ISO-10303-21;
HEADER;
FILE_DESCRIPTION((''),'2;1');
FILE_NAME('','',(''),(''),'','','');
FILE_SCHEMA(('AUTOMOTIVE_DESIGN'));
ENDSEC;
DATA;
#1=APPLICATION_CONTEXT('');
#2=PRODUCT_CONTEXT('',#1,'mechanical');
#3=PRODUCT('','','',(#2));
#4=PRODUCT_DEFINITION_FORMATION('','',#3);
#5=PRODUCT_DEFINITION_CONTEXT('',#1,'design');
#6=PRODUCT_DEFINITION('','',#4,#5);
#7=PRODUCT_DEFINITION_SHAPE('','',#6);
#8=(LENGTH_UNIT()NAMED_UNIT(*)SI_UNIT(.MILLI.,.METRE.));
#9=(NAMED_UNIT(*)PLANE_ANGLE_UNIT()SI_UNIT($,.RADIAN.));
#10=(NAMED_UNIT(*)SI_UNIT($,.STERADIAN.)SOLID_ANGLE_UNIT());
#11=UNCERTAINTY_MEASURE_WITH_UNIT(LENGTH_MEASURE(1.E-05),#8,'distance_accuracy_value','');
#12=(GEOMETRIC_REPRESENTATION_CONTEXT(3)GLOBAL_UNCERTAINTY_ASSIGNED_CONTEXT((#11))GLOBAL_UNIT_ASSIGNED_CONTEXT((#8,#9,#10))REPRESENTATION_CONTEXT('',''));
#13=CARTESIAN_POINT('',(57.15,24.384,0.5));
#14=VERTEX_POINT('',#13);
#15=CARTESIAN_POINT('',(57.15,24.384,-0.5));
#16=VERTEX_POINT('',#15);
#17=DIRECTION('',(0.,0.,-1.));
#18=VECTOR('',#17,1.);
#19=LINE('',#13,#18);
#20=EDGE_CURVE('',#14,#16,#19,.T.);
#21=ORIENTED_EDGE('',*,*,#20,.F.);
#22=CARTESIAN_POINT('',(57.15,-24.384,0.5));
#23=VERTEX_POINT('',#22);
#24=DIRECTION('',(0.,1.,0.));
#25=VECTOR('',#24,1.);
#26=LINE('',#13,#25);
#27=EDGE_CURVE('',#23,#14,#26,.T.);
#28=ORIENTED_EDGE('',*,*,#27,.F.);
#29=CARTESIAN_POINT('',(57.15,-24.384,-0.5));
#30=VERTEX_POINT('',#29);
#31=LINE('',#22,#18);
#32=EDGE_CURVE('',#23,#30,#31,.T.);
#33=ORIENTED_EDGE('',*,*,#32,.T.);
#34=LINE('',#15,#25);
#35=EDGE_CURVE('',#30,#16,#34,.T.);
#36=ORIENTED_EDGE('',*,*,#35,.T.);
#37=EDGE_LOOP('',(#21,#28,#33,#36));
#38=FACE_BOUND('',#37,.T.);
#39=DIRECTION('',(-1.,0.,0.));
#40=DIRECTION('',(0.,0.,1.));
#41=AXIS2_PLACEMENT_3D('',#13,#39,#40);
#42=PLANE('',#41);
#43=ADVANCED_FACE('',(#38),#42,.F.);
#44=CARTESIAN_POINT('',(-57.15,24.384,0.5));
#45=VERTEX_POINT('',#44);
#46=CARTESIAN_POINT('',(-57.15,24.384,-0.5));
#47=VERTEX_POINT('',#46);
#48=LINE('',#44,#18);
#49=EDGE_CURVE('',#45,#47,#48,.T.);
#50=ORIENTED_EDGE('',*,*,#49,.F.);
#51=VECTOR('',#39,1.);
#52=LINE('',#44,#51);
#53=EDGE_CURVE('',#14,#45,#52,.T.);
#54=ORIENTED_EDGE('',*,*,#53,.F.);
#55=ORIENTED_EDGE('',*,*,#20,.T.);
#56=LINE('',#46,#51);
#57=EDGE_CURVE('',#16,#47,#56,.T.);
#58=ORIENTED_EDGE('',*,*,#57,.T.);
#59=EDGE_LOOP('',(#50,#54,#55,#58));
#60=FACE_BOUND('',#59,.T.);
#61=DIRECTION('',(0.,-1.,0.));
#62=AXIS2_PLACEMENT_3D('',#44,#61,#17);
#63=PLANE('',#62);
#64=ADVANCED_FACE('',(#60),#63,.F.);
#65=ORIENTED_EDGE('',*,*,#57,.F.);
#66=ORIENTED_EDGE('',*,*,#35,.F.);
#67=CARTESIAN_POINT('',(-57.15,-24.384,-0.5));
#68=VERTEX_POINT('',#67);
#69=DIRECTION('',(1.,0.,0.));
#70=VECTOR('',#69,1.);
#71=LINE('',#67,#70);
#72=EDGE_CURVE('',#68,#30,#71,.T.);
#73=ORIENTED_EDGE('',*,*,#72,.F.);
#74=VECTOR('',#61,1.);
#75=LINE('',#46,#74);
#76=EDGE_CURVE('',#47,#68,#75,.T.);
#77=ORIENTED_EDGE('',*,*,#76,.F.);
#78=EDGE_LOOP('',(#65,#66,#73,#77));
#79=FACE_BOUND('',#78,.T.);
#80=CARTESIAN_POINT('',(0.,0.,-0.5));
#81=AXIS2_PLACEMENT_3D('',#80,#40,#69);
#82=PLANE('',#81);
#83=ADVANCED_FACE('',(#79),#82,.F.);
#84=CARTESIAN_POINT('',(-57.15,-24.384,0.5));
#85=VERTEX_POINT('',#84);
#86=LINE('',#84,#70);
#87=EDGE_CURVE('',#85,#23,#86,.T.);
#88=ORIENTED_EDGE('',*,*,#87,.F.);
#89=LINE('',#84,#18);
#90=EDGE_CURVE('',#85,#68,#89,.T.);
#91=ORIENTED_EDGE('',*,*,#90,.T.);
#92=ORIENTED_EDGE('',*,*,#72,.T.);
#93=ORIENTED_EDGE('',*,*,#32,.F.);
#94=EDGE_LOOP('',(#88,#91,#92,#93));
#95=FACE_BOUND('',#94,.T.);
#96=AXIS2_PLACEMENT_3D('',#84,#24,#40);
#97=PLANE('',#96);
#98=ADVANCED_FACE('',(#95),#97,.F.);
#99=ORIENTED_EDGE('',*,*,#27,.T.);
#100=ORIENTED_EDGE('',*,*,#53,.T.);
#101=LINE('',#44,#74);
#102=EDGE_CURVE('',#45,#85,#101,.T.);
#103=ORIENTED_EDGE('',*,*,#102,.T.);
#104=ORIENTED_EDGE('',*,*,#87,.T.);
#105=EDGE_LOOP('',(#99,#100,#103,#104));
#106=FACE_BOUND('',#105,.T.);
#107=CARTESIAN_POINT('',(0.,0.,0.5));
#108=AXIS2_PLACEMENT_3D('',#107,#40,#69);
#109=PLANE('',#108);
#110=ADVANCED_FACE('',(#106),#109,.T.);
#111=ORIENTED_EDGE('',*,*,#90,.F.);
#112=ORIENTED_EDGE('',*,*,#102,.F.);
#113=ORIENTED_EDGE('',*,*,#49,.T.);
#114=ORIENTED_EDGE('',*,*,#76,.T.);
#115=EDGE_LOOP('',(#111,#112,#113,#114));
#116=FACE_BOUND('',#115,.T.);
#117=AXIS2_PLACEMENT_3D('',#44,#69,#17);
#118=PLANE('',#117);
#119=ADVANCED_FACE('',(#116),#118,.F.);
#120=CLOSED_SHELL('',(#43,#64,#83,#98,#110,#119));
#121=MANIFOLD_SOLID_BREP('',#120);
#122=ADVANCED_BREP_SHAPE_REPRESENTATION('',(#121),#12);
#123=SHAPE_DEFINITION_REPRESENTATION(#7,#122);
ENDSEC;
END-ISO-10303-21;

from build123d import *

# Parameters (mm, degrees)
CROQUIS2_W              = 114.3
CROQUIS2_H              = 48.768
SALIENTE_EXTRUIR1_DEPTH = 0.5


with BuildPart() as part:
    # Croquis2 → Saliente-Extruir1 (new, symmetric)
    with BuildSketch(Plane.XY):
        Rectangle(CROQUIS2_W, CROQUIS2_H)
    extrude(amount=SALIENTE_EXTRUIR1_DEPTH, both=True)


solid = part.part
